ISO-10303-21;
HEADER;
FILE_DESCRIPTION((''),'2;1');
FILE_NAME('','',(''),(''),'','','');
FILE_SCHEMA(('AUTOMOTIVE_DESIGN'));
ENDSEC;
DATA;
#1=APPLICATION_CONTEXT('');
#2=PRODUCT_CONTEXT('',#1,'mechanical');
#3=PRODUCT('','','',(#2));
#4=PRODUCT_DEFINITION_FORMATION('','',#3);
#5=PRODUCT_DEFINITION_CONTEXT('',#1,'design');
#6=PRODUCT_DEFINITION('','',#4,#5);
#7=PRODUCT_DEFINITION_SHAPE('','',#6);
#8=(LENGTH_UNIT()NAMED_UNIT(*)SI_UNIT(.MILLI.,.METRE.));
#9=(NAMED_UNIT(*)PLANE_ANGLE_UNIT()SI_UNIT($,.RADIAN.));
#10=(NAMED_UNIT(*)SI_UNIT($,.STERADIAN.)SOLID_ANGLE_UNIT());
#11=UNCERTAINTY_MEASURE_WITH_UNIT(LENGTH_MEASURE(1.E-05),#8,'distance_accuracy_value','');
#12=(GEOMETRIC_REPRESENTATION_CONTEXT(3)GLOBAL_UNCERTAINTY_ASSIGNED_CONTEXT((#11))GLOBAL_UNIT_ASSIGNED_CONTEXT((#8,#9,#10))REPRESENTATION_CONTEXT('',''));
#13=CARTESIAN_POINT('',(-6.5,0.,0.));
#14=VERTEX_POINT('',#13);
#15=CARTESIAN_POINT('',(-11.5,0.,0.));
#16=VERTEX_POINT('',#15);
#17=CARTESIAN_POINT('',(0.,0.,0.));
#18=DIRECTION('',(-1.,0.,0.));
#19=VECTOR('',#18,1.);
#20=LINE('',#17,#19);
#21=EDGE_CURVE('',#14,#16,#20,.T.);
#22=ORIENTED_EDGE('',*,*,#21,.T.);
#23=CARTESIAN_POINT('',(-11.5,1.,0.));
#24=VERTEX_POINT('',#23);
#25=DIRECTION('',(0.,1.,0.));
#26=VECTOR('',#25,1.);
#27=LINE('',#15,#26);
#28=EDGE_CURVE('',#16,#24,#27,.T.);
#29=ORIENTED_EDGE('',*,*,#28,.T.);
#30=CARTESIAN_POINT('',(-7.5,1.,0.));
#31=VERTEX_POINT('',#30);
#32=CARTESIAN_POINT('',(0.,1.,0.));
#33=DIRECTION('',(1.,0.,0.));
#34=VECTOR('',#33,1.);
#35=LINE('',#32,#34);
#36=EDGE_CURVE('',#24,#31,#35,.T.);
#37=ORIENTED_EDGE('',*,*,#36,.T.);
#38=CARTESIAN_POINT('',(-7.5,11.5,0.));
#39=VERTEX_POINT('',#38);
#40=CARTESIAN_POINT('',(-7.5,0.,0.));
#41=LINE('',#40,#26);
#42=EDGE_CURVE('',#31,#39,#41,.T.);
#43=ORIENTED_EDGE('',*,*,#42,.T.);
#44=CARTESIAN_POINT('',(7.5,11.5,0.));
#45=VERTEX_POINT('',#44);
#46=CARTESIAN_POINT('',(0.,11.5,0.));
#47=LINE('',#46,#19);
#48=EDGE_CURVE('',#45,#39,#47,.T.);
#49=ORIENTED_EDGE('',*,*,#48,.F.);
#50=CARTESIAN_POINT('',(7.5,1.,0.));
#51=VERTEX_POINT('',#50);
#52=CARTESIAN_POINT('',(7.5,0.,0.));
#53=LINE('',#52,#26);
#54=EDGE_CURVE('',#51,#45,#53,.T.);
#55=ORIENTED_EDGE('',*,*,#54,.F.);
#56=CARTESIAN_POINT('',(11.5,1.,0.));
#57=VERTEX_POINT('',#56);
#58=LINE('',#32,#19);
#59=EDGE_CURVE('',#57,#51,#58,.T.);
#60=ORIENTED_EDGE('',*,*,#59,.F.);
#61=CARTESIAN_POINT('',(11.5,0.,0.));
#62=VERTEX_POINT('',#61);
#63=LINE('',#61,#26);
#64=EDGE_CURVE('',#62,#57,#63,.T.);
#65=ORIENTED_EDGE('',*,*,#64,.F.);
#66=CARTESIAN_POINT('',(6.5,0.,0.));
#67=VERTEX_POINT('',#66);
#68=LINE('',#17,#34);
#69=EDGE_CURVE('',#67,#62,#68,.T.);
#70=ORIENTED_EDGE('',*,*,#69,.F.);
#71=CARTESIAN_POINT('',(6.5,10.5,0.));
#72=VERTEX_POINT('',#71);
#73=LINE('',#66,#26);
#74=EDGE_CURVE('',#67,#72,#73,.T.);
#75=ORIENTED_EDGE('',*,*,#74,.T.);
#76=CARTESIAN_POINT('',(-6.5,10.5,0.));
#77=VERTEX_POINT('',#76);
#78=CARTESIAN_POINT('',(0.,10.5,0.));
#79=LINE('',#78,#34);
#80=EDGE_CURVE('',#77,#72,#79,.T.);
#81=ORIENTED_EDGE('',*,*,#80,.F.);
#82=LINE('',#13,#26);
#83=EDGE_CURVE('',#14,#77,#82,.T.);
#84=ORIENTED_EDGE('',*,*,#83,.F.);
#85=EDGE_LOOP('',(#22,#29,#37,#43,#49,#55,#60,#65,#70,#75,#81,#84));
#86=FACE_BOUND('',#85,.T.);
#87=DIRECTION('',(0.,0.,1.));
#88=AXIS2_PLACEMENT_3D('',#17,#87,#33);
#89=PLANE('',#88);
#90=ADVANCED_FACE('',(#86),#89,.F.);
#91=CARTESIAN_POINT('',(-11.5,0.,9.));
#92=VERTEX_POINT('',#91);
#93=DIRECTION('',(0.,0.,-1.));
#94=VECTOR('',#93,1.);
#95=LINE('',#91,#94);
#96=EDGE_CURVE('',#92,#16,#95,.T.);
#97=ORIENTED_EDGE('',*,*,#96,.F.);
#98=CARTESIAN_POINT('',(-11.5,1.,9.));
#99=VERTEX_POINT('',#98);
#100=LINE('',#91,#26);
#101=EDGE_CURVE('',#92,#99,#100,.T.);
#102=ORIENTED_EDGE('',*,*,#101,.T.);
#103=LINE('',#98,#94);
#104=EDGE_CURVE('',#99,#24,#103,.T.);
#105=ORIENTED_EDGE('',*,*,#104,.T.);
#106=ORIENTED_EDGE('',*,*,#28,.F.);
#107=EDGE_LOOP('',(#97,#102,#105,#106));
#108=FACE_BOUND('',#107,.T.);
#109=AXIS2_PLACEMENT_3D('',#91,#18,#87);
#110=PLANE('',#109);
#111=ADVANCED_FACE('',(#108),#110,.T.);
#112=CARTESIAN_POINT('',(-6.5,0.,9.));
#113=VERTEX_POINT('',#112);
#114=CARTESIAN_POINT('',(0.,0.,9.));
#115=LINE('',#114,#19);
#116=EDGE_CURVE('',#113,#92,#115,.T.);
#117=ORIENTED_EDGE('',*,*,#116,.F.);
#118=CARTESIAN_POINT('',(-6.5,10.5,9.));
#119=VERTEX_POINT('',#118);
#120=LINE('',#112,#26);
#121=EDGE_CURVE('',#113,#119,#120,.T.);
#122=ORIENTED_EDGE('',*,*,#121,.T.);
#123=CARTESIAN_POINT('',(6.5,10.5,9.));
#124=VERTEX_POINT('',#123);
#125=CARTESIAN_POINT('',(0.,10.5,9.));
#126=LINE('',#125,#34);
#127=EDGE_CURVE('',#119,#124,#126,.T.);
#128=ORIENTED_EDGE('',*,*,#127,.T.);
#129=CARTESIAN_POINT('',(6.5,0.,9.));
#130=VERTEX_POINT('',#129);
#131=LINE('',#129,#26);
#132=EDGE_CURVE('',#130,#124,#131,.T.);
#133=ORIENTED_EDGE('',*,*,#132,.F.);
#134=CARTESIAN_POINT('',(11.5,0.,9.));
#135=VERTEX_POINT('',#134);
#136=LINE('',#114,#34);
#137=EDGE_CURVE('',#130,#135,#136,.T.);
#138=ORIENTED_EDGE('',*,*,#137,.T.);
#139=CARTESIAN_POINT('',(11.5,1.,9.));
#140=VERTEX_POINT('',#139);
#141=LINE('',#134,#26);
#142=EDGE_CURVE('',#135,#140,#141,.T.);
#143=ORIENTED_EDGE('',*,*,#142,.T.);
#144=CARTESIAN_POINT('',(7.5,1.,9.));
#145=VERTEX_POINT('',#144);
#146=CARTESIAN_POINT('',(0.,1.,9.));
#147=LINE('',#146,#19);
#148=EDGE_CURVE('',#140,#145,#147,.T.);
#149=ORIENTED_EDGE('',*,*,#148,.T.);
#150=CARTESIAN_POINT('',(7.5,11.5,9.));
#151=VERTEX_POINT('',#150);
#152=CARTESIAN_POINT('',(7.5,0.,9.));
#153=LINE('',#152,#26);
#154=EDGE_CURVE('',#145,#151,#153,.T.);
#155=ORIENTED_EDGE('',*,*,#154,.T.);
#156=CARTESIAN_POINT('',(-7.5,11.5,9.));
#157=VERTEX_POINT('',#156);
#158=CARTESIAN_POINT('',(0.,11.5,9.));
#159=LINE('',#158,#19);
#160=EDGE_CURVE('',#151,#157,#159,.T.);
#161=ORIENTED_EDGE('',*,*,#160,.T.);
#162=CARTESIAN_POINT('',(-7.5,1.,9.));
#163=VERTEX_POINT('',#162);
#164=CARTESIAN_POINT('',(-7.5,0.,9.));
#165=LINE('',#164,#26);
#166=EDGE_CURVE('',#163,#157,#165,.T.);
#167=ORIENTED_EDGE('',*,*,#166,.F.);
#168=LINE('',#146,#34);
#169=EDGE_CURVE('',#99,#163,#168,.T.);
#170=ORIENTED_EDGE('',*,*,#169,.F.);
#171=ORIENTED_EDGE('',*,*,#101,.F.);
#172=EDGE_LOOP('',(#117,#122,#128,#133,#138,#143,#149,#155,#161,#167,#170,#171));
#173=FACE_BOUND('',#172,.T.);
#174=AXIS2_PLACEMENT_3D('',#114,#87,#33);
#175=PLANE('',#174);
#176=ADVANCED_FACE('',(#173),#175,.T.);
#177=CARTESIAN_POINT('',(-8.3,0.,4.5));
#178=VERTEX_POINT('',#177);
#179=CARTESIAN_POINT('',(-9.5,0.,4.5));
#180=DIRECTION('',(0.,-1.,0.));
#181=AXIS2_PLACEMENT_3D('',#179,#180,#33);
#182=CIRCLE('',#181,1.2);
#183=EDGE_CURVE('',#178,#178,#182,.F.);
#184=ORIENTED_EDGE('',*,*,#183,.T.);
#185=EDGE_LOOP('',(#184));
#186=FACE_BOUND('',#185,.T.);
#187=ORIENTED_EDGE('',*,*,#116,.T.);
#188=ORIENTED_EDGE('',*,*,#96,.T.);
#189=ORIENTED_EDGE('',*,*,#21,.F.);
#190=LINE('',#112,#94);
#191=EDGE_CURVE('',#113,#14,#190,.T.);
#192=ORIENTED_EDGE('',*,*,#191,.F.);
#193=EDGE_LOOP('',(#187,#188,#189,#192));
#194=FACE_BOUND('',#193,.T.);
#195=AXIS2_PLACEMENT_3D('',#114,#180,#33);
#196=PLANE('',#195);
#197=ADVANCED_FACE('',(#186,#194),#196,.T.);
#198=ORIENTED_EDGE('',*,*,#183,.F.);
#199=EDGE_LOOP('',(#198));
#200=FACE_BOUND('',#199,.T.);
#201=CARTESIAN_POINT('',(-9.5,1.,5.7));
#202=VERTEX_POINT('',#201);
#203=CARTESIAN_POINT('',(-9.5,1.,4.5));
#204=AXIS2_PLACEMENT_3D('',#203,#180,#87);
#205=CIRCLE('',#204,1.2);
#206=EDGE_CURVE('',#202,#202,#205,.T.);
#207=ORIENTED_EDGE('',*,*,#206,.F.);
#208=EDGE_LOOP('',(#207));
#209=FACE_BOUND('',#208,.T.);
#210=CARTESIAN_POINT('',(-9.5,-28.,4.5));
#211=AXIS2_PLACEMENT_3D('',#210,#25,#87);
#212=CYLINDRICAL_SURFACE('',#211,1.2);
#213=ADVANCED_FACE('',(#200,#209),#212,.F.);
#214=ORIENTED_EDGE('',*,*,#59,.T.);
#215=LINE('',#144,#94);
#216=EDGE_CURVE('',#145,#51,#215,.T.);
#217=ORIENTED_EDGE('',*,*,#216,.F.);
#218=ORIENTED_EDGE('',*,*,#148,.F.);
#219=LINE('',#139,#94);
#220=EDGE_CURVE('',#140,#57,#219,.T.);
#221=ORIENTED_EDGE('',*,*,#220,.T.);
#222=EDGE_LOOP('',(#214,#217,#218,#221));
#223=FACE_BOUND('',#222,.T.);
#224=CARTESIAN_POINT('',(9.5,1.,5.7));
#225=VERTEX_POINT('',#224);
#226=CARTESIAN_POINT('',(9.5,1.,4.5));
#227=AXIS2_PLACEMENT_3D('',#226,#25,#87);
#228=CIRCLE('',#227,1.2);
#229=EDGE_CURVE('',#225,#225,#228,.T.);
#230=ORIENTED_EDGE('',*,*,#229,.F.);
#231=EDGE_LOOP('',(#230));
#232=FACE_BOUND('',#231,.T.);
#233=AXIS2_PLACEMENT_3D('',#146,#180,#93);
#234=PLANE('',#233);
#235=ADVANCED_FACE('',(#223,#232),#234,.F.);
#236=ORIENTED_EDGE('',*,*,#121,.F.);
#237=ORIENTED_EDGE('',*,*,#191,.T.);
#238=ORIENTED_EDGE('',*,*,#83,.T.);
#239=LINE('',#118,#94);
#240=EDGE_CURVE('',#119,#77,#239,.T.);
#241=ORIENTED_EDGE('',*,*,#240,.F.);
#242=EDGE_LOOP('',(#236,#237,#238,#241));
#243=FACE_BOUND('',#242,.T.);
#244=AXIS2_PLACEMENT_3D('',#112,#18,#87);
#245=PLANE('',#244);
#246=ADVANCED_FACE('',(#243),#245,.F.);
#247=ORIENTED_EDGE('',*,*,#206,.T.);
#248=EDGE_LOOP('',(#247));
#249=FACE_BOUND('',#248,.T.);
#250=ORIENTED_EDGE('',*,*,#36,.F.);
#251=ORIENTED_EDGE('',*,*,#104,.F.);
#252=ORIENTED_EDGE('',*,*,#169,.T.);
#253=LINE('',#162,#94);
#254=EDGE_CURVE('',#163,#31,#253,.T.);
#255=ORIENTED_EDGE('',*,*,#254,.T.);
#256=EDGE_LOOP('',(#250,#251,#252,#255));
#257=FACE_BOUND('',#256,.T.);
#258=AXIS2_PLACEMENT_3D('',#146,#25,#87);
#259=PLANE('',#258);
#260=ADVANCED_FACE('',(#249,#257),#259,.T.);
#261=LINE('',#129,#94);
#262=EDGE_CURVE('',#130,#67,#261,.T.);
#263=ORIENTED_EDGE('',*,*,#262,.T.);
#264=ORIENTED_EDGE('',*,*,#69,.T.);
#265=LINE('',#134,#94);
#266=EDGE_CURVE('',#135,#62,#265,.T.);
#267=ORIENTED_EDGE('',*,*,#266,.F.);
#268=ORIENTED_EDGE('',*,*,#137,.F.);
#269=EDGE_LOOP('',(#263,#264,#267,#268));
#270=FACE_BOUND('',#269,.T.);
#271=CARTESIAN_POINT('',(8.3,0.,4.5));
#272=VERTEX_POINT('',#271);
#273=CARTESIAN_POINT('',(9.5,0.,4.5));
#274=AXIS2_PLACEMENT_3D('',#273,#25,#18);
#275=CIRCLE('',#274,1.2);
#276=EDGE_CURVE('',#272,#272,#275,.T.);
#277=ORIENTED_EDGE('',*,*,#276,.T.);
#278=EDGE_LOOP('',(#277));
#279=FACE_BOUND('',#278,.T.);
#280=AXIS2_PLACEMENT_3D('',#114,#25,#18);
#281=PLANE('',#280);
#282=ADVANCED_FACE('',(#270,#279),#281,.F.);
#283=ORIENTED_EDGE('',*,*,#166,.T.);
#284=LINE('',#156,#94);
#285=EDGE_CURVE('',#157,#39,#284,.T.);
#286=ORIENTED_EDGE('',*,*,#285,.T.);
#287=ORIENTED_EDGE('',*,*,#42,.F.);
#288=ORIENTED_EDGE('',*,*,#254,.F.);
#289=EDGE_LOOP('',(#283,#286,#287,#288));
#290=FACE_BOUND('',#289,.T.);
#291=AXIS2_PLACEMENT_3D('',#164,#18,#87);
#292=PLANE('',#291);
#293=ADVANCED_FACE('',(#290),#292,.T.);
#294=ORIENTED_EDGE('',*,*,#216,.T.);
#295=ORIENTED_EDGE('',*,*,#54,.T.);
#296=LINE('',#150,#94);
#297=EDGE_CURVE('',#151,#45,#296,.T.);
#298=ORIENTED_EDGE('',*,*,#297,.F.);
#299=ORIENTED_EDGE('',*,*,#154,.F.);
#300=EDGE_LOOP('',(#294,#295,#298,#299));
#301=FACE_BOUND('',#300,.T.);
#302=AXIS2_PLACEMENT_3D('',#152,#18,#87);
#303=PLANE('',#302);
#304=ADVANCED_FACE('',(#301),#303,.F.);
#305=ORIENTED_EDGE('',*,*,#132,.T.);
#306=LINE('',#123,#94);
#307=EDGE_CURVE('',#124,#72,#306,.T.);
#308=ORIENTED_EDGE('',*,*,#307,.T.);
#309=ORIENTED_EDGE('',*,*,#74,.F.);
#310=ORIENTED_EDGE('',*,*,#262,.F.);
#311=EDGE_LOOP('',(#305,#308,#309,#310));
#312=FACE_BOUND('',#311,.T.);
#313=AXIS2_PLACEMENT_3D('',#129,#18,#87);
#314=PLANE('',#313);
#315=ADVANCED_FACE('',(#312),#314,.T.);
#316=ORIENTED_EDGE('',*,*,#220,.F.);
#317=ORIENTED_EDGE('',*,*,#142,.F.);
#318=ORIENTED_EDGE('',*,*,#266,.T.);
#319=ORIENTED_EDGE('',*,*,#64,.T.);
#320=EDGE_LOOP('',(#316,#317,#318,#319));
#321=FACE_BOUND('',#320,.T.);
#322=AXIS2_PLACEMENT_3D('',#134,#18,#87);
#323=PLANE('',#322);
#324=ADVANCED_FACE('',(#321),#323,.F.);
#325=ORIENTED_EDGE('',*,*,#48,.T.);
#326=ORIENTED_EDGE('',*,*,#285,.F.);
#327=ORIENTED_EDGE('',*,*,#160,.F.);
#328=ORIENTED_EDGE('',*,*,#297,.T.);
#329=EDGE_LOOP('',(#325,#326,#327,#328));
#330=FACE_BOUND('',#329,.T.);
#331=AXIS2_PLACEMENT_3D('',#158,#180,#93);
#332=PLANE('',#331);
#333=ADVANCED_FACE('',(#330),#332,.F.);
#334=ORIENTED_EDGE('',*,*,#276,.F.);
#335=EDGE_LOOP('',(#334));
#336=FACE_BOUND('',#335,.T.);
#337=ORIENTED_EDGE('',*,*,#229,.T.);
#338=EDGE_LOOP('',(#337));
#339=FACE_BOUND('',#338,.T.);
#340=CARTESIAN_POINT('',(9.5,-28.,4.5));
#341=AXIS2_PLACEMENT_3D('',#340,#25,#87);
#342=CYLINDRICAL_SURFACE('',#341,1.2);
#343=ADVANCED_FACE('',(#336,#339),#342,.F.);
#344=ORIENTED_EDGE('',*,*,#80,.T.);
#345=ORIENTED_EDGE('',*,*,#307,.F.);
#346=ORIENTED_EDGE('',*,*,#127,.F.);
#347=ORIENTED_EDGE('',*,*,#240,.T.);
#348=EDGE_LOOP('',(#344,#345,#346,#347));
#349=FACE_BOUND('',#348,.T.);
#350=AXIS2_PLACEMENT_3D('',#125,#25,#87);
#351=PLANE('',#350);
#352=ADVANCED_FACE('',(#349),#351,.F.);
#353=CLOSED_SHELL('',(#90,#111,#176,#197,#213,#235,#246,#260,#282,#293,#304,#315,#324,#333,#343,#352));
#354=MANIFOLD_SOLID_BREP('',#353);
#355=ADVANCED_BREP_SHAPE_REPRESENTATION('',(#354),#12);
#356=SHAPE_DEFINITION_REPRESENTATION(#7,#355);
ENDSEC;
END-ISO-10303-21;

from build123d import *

# Parameters (mm, degrees)
BOSS_EXTRUDE1_DEPTH = 9
SKETCH2_R           = 1.2
CUT_EXTRUDE1_DEPTH  = 29


with BuildPart() as part:
    # Sketch1 → Boss-Extrude1 (new body)
    with BuildSketch(Plane.XY):
        Polygon((7.5, 1), (7.5, 11.5), (-7.5, 11.5), (-7.5, 1), (-11.5, 1), (-11.5, 0), (-6.5, 0), (-6.5, 10.5), (6.5, 10.5), (6.5, 0), (11.5, 0), (11.5, 1), align=None)
    extrude(amount=BOSS_EXTRUDE1_DEPTH)

    # Sketch2 → Cut-Extrude1 (cut)
    with BuildSketch(Plane(origin=(0, 1, 0), x_dir=(1, 0, 0), z_dir=(0, 1, 0))):
        with Locations((9.5, -4.5)):
            Circle(SKETCH2_R)
    cut_extrude1 = extrude(amount=-CUT_EXTRUDE1_DEPTH, mode=Mode.SUBTRACT)

    # Mirror1: Cut-Extrude1 across plane
    add(cut_extrude1.mirror(Plane(origin=(0, 0, 0), x_dir=(0, 0, 1), z_dir=(1, 0, 0))), mode=Mode.SUBTRACT)


solid = part.part
